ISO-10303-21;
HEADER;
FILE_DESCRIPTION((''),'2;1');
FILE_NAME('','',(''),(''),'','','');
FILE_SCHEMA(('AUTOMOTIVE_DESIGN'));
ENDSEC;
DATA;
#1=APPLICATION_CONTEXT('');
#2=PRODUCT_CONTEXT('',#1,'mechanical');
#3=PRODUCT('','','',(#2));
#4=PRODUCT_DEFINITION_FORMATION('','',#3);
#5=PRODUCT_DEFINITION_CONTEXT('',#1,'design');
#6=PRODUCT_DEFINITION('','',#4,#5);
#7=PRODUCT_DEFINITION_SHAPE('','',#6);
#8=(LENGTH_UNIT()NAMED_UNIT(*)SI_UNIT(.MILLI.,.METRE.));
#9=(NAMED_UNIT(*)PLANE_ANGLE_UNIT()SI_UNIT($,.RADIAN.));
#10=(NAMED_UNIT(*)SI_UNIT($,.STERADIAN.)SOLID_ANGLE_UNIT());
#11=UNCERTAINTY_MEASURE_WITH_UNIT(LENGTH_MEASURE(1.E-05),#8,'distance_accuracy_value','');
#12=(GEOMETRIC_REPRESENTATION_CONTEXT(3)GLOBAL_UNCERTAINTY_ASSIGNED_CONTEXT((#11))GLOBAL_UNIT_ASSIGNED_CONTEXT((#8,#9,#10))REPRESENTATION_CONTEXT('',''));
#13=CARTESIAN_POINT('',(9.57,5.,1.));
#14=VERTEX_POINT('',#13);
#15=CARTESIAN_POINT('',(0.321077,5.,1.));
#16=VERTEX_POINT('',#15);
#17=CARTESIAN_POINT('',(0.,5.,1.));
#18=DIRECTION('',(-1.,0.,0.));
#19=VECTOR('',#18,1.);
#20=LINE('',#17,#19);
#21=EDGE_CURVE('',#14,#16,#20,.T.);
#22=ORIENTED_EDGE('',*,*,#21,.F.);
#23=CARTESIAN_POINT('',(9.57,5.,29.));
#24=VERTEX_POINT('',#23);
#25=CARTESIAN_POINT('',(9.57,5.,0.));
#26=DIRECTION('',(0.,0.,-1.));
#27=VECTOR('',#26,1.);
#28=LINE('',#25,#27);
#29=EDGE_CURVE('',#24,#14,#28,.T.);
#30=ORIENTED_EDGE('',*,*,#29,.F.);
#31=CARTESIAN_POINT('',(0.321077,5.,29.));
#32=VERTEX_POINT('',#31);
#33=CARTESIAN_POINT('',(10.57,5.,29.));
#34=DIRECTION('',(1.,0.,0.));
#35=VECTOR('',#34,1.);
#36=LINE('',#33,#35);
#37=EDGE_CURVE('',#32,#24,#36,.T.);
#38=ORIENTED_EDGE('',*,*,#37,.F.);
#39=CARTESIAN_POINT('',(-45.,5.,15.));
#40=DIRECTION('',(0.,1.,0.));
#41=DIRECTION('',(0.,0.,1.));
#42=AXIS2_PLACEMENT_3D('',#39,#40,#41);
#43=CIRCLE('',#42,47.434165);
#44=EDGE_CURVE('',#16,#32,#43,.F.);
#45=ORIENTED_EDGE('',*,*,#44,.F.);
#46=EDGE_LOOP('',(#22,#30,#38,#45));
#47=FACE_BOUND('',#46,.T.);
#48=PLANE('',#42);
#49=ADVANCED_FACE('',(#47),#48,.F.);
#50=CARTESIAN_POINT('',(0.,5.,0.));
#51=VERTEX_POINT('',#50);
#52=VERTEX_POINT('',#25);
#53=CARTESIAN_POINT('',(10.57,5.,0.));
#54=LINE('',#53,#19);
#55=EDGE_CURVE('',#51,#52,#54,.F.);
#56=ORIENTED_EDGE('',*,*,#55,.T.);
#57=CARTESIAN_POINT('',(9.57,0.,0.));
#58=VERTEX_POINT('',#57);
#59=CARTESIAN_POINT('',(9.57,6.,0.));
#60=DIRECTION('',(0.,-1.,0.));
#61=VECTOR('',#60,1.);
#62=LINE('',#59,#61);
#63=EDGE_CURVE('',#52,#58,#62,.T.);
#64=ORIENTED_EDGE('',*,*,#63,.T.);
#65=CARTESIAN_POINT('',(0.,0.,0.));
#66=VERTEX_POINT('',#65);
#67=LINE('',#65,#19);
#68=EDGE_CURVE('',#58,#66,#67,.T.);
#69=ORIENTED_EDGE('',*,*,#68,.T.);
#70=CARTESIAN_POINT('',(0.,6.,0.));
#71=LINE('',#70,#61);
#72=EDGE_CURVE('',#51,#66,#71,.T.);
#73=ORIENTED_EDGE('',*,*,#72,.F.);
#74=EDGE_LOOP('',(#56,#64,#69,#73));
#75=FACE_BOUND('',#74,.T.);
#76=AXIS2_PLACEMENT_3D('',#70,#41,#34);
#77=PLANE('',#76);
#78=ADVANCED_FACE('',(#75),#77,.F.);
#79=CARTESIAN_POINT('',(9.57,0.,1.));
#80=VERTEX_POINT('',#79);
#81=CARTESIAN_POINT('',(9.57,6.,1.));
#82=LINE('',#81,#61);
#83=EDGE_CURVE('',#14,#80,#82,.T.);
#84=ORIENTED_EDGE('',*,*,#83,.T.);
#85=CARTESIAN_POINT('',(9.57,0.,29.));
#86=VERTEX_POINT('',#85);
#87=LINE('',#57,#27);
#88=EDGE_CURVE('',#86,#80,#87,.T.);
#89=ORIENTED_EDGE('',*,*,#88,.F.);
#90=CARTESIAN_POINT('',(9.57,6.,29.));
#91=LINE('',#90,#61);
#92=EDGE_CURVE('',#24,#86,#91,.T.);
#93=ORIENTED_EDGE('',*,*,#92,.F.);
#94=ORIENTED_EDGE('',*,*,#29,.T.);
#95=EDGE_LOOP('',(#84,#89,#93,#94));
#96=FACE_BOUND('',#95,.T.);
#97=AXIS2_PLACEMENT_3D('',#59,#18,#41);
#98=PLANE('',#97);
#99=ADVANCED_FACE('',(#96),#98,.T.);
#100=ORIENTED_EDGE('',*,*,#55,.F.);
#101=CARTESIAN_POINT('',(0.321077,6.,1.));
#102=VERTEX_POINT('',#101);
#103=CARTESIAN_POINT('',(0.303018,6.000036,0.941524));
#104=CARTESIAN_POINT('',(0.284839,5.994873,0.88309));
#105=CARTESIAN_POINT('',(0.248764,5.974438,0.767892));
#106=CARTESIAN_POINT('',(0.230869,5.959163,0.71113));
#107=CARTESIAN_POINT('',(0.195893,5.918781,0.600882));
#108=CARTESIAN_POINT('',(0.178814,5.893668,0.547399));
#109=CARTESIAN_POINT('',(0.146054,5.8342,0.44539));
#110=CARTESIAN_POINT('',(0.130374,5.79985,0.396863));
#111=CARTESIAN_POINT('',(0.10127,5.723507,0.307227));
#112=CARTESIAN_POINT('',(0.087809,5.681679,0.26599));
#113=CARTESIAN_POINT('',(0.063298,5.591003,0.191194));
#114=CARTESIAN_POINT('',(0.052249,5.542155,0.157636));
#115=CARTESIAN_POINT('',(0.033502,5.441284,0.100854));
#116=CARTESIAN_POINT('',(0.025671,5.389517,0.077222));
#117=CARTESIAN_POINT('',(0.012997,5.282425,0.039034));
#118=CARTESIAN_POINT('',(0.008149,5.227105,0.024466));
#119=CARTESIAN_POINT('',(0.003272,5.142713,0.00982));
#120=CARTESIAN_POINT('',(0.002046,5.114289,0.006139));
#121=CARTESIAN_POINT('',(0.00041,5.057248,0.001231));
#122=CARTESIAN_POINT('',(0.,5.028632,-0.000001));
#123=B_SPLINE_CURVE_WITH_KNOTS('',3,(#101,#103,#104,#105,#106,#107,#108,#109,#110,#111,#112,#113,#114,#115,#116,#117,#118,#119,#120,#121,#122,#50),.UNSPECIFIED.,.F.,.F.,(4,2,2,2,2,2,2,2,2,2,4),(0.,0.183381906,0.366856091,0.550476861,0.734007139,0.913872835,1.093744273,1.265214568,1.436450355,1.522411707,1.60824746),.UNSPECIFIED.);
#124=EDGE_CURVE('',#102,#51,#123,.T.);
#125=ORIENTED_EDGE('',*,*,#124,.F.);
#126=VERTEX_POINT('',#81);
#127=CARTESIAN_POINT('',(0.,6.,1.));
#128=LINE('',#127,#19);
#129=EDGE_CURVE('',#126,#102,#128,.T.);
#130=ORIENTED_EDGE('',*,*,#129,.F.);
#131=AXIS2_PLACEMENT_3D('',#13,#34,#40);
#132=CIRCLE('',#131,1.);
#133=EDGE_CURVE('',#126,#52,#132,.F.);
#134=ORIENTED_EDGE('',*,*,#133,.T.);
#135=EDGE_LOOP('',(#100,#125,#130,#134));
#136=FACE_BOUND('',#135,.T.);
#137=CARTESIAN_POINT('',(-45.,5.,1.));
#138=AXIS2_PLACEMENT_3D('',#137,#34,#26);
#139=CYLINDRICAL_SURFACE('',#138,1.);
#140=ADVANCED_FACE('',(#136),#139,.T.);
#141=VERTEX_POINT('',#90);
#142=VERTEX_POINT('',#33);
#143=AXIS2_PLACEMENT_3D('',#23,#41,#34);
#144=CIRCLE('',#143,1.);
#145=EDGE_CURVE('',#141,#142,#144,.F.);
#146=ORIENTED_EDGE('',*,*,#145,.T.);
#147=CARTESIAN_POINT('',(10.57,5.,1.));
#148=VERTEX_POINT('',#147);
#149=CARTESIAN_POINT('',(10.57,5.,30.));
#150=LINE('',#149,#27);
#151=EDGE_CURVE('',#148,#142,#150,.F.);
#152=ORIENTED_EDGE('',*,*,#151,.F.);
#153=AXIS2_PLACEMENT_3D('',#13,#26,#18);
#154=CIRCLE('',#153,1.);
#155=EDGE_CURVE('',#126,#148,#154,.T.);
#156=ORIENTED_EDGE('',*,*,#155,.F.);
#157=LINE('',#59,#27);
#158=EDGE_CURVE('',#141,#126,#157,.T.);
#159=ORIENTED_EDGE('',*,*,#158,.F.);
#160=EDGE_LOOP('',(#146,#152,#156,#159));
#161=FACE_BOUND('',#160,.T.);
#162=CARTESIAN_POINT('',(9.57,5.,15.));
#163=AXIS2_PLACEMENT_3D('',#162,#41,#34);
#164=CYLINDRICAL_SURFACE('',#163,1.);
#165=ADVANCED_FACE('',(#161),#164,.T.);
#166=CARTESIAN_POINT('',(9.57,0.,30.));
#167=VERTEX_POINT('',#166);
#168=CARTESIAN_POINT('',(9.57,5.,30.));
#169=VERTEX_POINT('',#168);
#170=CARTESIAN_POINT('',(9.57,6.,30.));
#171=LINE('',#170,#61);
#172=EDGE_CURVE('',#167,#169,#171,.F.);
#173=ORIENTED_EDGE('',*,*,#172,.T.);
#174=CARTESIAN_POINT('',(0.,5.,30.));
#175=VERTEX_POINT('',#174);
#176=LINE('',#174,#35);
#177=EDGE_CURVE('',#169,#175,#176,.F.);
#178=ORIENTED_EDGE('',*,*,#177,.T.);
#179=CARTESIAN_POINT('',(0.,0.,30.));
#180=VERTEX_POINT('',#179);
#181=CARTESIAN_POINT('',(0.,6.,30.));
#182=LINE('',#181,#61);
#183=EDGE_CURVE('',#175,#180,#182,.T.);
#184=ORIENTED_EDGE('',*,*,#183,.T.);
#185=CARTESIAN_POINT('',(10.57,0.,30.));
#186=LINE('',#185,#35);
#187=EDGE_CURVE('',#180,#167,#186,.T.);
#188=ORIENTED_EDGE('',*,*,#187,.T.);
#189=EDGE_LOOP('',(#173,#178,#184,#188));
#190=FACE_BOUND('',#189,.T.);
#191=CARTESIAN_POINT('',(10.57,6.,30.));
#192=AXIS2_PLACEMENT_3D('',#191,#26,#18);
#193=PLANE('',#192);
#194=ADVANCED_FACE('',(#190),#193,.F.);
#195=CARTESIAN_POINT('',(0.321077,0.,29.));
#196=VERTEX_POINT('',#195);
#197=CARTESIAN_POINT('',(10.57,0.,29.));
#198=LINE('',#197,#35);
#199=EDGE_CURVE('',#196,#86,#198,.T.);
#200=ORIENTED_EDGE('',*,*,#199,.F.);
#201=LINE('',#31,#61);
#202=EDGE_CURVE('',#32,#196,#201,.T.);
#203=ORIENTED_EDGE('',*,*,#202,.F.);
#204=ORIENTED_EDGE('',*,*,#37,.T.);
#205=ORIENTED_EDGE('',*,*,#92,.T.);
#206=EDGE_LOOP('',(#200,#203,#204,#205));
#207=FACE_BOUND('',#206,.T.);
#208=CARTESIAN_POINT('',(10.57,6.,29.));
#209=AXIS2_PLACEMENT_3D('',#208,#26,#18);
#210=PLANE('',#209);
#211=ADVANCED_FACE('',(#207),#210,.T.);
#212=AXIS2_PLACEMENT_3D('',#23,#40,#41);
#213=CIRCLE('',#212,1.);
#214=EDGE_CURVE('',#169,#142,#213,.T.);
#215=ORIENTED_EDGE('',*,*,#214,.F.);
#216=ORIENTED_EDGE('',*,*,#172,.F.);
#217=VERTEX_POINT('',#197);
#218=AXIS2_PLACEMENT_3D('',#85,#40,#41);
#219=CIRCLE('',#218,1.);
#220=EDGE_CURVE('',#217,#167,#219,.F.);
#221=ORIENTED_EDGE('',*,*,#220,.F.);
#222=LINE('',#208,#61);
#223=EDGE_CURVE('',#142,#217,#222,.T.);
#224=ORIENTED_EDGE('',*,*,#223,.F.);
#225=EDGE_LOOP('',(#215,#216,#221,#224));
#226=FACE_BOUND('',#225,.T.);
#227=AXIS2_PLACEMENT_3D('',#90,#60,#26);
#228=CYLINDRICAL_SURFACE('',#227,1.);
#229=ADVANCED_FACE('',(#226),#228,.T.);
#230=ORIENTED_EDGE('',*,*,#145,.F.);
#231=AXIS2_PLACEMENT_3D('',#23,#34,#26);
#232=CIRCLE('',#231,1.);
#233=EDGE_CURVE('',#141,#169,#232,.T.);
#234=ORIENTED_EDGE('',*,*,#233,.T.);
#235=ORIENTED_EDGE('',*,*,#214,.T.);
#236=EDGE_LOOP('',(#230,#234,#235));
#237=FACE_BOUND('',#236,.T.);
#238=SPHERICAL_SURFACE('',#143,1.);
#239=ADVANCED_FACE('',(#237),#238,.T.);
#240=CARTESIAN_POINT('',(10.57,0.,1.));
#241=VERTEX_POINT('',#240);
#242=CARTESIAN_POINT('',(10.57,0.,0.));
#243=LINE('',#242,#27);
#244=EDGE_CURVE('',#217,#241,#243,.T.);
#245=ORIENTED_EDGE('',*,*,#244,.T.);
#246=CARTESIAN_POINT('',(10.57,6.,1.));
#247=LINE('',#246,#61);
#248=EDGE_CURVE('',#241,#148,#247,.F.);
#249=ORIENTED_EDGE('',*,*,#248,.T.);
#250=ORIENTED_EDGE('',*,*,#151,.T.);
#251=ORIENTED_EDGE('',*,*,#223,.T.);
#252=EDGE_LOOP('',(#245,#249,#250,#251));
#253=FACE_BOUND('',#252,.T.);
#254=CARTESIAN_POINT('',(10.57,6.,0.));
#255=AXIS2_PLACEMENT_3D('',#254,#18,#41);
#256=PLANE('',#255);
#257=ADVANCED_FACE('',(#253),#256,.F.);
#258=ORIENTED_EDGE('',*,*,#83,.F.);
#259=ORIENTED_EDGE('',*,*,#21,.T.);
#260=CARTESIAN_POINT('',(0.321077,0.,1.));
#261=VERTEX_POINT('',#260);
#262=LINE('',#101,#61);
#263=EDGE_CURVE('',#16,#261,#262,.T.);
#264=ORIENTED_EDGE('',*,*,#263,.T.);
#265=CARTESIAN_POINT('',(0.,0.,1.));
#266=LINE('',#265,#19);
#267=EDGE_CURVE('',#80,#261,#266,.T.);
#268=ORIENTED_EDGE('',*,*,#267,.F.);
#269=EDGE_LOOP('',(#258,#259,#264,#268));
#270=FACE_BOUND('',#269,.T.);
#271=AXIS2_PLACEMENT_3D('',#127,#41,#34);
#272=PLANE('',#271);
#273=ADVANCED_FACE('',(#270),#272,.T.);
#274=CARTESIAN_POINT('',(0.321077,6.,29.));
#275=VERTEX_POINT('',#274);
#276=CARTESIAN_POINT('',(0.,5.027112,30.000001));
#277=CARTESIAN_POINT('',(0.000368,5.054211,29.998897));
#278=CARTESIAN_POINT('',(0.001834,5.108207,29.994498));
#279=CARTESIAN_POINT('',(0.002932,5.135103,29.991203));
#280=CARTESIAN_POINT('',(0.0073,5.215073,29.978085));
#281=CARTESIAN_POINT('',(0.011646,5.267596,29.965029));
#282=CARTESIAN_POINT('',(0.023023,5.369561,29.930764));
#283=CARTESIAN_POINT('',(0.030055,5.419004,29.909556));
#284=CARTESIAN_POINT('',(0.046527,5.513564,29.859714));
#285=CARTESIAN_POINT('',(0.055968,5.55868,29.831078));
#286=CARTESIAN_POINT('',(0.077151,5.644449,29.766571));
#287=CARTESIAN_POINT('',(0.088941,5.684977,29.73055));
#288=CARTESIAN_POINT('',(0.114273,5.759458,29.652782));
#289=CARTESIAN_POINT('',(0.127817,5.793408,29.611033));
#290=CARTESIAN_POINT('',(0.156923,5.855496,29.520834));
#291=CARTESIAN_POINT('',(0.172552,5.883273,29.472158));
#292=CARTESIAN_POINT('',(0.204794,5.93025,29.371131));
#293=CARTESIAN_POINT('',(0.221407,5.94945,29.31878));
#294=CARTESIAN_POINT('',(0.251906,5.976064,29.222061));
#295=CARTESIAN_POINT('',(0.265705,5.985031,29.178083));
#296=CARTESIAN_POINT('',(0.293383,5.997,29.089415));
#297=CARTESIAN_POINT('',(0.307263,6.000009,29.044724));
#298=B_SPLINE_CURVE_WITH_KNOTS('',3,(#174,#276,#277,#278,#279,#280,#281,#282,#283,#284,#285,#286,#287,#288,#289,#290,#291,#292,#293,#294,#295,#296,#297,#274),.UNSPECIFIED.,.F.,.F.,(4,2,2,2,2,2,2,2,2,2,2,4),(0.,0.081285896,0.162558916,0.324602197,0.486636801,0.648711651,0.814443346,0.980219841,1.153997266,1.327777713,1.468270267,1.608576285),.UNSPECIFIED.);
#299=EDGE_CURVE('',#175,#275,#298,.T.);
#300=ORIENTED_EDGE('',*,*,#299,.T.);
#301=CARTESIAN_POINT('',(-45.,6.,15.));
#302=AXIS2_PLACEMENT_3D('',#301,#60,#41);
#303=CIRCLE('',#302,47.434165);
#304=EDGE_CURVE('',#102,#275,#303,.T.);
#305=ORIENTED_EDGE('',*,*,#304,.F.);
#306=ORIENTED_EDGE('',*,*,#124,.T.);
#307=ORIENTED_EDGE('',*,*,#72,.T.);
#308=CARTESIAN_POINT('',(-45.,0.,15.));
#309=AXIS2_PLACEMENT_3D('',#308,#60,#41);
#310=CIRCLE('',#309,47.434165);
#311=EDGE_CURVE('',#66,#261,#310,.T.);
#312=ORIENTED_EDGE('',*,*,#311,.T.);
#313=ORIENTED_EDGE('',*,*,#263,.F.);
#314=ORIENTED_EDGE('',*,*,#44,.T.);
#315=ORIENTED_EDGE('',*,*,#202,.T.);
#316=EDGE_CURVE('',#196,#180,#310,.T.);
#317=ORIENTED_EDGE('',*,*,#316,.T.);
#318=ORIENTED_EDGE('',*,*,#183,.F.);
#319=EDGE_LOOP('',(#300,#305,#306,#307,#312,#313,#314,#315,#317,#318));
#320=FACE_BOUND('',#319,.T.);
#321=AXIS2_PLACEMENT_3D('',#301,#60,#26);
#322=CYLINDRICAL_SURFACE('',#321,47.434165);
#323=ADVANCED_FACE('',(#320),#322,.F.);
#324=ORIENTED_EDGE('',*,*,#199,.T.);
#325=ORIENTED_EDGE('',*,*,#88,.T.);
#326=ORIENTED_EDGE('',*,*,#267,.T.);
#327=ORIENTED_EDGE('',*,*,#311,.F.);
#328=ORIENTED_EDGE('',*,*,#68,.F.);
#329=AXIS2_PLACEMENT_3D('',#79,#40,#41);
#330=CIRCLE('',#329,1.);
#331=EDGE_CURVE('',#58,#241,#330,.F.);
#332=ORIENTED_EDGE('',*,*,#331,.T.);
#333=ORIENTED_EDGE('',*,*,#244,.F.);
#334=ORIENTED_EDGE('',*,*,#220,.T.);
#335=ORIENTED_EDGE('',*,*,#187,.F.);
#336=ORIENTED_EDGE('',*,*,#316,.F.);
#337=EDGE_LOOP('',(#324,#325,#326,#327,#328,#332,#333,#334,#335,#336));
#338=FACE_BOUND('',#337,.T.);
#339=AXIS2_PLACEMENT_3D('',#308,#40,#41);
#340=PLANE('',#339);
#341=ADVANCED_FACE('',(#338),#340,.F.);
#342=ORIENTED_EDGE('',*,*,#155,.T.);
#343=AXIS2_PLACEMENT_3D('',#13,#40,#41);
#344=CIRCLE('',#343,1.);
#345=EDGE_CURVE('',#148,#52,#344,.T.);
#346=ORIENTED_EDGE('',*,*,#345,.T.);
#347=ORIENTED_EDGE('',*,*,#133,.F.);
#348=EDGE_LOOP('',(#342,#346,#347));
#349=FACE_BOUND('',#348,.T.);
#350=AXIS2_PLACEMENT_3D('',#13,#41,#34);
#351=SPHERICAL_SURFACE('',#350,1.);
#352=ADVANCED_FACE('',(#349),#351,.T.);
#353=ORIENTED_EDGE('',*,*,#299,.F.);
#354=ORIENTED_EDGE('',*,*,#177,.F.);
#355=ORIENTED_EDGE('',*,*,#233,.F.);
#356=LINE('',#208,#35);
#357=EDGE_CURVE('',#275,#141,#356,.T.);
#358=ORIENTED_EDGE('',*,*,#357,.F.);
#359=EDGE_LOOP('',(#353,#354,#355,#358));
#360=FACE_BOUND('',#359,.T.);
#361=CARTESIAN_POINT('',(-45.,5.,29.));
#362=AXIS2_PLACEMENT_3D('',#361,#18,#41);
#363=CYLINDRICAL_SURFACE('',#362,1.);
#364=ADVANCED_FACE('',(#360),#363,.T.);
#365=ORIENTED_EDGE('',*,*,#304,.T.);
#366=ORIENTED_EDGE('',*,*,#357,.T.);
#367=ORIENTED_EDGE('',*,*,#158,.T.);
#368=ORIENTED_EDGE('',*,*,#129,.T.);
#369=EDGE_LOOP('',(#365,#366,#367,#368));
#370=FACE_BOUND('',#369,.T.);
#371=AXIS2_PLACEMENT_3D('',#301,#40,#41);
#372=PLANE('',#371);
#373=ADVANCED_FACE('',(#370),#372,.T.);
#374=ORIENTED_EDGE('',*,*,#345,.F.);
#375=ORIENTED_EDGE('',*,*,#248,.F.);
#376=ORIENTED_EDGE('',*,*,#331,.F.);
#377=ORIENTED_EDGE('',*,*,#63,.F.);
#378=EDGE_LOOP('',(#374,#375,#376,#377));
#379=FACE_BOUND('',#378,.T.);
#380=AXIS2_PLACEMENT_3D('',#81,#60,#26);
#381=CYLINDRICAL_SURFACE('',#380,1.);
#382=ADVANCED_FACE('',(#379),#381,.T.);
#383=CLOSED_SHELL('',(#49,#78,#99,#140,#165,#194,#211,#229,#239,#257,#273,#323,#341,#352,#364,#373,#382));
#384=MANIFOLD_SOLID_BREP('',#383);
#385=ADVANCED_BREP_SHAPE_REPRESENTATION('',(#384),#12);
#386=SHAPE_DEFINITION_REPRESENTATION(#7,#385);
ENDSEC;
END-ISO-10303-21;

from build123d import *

# Parameters (mm, degrees)
BOSS_EXTRUDE1_DEPTH = 6
SHELL1_T            = -1
FILLET1_R           = 1


with BuildPart() as part:
    # Sketch1 → Boss-Extrude1 (new body)
    with BuildSketch(Plane(origin=(0, 0, 0), x_dir=(1, 0, 0), z_dir=(0, 1, 0))):
        with BuildLine():
            Line((0, 0), (10.57, 0))
            Line((10.57, 0), (10.57, -30))
            Line((10.57, -30), (0, -30))
            ThreePointArc((0, -30), (2.434164903, -15), (0, 0))
        make_face()
    extrude(amount=BOSS_EXTRUDE1_DEPTH)

    # Shell1
    shell1_openings = [part.faces().sort_by_distance(p)[0] for p in [
        (6.071410828, 0, 15),
        (2.434164903, 3, 15),
    ]]
    offset(amount=SHELL1_T, openings=shell1_openings, kind=Kind.INTERSECTION)

    # Fillet1
    fillet1_edges = [part.edges().sort_by_distance(p)[0] for p in [
        (10.57, 6, 15),
        (5.285, 6, 0),
        (10.57, 3, 0),
        (10.57, 3, 30),
        (5.285, 6, 30),
    ]]
    fillet(fillet1_edges, radius=FILLET1_R)


solid = part.part
